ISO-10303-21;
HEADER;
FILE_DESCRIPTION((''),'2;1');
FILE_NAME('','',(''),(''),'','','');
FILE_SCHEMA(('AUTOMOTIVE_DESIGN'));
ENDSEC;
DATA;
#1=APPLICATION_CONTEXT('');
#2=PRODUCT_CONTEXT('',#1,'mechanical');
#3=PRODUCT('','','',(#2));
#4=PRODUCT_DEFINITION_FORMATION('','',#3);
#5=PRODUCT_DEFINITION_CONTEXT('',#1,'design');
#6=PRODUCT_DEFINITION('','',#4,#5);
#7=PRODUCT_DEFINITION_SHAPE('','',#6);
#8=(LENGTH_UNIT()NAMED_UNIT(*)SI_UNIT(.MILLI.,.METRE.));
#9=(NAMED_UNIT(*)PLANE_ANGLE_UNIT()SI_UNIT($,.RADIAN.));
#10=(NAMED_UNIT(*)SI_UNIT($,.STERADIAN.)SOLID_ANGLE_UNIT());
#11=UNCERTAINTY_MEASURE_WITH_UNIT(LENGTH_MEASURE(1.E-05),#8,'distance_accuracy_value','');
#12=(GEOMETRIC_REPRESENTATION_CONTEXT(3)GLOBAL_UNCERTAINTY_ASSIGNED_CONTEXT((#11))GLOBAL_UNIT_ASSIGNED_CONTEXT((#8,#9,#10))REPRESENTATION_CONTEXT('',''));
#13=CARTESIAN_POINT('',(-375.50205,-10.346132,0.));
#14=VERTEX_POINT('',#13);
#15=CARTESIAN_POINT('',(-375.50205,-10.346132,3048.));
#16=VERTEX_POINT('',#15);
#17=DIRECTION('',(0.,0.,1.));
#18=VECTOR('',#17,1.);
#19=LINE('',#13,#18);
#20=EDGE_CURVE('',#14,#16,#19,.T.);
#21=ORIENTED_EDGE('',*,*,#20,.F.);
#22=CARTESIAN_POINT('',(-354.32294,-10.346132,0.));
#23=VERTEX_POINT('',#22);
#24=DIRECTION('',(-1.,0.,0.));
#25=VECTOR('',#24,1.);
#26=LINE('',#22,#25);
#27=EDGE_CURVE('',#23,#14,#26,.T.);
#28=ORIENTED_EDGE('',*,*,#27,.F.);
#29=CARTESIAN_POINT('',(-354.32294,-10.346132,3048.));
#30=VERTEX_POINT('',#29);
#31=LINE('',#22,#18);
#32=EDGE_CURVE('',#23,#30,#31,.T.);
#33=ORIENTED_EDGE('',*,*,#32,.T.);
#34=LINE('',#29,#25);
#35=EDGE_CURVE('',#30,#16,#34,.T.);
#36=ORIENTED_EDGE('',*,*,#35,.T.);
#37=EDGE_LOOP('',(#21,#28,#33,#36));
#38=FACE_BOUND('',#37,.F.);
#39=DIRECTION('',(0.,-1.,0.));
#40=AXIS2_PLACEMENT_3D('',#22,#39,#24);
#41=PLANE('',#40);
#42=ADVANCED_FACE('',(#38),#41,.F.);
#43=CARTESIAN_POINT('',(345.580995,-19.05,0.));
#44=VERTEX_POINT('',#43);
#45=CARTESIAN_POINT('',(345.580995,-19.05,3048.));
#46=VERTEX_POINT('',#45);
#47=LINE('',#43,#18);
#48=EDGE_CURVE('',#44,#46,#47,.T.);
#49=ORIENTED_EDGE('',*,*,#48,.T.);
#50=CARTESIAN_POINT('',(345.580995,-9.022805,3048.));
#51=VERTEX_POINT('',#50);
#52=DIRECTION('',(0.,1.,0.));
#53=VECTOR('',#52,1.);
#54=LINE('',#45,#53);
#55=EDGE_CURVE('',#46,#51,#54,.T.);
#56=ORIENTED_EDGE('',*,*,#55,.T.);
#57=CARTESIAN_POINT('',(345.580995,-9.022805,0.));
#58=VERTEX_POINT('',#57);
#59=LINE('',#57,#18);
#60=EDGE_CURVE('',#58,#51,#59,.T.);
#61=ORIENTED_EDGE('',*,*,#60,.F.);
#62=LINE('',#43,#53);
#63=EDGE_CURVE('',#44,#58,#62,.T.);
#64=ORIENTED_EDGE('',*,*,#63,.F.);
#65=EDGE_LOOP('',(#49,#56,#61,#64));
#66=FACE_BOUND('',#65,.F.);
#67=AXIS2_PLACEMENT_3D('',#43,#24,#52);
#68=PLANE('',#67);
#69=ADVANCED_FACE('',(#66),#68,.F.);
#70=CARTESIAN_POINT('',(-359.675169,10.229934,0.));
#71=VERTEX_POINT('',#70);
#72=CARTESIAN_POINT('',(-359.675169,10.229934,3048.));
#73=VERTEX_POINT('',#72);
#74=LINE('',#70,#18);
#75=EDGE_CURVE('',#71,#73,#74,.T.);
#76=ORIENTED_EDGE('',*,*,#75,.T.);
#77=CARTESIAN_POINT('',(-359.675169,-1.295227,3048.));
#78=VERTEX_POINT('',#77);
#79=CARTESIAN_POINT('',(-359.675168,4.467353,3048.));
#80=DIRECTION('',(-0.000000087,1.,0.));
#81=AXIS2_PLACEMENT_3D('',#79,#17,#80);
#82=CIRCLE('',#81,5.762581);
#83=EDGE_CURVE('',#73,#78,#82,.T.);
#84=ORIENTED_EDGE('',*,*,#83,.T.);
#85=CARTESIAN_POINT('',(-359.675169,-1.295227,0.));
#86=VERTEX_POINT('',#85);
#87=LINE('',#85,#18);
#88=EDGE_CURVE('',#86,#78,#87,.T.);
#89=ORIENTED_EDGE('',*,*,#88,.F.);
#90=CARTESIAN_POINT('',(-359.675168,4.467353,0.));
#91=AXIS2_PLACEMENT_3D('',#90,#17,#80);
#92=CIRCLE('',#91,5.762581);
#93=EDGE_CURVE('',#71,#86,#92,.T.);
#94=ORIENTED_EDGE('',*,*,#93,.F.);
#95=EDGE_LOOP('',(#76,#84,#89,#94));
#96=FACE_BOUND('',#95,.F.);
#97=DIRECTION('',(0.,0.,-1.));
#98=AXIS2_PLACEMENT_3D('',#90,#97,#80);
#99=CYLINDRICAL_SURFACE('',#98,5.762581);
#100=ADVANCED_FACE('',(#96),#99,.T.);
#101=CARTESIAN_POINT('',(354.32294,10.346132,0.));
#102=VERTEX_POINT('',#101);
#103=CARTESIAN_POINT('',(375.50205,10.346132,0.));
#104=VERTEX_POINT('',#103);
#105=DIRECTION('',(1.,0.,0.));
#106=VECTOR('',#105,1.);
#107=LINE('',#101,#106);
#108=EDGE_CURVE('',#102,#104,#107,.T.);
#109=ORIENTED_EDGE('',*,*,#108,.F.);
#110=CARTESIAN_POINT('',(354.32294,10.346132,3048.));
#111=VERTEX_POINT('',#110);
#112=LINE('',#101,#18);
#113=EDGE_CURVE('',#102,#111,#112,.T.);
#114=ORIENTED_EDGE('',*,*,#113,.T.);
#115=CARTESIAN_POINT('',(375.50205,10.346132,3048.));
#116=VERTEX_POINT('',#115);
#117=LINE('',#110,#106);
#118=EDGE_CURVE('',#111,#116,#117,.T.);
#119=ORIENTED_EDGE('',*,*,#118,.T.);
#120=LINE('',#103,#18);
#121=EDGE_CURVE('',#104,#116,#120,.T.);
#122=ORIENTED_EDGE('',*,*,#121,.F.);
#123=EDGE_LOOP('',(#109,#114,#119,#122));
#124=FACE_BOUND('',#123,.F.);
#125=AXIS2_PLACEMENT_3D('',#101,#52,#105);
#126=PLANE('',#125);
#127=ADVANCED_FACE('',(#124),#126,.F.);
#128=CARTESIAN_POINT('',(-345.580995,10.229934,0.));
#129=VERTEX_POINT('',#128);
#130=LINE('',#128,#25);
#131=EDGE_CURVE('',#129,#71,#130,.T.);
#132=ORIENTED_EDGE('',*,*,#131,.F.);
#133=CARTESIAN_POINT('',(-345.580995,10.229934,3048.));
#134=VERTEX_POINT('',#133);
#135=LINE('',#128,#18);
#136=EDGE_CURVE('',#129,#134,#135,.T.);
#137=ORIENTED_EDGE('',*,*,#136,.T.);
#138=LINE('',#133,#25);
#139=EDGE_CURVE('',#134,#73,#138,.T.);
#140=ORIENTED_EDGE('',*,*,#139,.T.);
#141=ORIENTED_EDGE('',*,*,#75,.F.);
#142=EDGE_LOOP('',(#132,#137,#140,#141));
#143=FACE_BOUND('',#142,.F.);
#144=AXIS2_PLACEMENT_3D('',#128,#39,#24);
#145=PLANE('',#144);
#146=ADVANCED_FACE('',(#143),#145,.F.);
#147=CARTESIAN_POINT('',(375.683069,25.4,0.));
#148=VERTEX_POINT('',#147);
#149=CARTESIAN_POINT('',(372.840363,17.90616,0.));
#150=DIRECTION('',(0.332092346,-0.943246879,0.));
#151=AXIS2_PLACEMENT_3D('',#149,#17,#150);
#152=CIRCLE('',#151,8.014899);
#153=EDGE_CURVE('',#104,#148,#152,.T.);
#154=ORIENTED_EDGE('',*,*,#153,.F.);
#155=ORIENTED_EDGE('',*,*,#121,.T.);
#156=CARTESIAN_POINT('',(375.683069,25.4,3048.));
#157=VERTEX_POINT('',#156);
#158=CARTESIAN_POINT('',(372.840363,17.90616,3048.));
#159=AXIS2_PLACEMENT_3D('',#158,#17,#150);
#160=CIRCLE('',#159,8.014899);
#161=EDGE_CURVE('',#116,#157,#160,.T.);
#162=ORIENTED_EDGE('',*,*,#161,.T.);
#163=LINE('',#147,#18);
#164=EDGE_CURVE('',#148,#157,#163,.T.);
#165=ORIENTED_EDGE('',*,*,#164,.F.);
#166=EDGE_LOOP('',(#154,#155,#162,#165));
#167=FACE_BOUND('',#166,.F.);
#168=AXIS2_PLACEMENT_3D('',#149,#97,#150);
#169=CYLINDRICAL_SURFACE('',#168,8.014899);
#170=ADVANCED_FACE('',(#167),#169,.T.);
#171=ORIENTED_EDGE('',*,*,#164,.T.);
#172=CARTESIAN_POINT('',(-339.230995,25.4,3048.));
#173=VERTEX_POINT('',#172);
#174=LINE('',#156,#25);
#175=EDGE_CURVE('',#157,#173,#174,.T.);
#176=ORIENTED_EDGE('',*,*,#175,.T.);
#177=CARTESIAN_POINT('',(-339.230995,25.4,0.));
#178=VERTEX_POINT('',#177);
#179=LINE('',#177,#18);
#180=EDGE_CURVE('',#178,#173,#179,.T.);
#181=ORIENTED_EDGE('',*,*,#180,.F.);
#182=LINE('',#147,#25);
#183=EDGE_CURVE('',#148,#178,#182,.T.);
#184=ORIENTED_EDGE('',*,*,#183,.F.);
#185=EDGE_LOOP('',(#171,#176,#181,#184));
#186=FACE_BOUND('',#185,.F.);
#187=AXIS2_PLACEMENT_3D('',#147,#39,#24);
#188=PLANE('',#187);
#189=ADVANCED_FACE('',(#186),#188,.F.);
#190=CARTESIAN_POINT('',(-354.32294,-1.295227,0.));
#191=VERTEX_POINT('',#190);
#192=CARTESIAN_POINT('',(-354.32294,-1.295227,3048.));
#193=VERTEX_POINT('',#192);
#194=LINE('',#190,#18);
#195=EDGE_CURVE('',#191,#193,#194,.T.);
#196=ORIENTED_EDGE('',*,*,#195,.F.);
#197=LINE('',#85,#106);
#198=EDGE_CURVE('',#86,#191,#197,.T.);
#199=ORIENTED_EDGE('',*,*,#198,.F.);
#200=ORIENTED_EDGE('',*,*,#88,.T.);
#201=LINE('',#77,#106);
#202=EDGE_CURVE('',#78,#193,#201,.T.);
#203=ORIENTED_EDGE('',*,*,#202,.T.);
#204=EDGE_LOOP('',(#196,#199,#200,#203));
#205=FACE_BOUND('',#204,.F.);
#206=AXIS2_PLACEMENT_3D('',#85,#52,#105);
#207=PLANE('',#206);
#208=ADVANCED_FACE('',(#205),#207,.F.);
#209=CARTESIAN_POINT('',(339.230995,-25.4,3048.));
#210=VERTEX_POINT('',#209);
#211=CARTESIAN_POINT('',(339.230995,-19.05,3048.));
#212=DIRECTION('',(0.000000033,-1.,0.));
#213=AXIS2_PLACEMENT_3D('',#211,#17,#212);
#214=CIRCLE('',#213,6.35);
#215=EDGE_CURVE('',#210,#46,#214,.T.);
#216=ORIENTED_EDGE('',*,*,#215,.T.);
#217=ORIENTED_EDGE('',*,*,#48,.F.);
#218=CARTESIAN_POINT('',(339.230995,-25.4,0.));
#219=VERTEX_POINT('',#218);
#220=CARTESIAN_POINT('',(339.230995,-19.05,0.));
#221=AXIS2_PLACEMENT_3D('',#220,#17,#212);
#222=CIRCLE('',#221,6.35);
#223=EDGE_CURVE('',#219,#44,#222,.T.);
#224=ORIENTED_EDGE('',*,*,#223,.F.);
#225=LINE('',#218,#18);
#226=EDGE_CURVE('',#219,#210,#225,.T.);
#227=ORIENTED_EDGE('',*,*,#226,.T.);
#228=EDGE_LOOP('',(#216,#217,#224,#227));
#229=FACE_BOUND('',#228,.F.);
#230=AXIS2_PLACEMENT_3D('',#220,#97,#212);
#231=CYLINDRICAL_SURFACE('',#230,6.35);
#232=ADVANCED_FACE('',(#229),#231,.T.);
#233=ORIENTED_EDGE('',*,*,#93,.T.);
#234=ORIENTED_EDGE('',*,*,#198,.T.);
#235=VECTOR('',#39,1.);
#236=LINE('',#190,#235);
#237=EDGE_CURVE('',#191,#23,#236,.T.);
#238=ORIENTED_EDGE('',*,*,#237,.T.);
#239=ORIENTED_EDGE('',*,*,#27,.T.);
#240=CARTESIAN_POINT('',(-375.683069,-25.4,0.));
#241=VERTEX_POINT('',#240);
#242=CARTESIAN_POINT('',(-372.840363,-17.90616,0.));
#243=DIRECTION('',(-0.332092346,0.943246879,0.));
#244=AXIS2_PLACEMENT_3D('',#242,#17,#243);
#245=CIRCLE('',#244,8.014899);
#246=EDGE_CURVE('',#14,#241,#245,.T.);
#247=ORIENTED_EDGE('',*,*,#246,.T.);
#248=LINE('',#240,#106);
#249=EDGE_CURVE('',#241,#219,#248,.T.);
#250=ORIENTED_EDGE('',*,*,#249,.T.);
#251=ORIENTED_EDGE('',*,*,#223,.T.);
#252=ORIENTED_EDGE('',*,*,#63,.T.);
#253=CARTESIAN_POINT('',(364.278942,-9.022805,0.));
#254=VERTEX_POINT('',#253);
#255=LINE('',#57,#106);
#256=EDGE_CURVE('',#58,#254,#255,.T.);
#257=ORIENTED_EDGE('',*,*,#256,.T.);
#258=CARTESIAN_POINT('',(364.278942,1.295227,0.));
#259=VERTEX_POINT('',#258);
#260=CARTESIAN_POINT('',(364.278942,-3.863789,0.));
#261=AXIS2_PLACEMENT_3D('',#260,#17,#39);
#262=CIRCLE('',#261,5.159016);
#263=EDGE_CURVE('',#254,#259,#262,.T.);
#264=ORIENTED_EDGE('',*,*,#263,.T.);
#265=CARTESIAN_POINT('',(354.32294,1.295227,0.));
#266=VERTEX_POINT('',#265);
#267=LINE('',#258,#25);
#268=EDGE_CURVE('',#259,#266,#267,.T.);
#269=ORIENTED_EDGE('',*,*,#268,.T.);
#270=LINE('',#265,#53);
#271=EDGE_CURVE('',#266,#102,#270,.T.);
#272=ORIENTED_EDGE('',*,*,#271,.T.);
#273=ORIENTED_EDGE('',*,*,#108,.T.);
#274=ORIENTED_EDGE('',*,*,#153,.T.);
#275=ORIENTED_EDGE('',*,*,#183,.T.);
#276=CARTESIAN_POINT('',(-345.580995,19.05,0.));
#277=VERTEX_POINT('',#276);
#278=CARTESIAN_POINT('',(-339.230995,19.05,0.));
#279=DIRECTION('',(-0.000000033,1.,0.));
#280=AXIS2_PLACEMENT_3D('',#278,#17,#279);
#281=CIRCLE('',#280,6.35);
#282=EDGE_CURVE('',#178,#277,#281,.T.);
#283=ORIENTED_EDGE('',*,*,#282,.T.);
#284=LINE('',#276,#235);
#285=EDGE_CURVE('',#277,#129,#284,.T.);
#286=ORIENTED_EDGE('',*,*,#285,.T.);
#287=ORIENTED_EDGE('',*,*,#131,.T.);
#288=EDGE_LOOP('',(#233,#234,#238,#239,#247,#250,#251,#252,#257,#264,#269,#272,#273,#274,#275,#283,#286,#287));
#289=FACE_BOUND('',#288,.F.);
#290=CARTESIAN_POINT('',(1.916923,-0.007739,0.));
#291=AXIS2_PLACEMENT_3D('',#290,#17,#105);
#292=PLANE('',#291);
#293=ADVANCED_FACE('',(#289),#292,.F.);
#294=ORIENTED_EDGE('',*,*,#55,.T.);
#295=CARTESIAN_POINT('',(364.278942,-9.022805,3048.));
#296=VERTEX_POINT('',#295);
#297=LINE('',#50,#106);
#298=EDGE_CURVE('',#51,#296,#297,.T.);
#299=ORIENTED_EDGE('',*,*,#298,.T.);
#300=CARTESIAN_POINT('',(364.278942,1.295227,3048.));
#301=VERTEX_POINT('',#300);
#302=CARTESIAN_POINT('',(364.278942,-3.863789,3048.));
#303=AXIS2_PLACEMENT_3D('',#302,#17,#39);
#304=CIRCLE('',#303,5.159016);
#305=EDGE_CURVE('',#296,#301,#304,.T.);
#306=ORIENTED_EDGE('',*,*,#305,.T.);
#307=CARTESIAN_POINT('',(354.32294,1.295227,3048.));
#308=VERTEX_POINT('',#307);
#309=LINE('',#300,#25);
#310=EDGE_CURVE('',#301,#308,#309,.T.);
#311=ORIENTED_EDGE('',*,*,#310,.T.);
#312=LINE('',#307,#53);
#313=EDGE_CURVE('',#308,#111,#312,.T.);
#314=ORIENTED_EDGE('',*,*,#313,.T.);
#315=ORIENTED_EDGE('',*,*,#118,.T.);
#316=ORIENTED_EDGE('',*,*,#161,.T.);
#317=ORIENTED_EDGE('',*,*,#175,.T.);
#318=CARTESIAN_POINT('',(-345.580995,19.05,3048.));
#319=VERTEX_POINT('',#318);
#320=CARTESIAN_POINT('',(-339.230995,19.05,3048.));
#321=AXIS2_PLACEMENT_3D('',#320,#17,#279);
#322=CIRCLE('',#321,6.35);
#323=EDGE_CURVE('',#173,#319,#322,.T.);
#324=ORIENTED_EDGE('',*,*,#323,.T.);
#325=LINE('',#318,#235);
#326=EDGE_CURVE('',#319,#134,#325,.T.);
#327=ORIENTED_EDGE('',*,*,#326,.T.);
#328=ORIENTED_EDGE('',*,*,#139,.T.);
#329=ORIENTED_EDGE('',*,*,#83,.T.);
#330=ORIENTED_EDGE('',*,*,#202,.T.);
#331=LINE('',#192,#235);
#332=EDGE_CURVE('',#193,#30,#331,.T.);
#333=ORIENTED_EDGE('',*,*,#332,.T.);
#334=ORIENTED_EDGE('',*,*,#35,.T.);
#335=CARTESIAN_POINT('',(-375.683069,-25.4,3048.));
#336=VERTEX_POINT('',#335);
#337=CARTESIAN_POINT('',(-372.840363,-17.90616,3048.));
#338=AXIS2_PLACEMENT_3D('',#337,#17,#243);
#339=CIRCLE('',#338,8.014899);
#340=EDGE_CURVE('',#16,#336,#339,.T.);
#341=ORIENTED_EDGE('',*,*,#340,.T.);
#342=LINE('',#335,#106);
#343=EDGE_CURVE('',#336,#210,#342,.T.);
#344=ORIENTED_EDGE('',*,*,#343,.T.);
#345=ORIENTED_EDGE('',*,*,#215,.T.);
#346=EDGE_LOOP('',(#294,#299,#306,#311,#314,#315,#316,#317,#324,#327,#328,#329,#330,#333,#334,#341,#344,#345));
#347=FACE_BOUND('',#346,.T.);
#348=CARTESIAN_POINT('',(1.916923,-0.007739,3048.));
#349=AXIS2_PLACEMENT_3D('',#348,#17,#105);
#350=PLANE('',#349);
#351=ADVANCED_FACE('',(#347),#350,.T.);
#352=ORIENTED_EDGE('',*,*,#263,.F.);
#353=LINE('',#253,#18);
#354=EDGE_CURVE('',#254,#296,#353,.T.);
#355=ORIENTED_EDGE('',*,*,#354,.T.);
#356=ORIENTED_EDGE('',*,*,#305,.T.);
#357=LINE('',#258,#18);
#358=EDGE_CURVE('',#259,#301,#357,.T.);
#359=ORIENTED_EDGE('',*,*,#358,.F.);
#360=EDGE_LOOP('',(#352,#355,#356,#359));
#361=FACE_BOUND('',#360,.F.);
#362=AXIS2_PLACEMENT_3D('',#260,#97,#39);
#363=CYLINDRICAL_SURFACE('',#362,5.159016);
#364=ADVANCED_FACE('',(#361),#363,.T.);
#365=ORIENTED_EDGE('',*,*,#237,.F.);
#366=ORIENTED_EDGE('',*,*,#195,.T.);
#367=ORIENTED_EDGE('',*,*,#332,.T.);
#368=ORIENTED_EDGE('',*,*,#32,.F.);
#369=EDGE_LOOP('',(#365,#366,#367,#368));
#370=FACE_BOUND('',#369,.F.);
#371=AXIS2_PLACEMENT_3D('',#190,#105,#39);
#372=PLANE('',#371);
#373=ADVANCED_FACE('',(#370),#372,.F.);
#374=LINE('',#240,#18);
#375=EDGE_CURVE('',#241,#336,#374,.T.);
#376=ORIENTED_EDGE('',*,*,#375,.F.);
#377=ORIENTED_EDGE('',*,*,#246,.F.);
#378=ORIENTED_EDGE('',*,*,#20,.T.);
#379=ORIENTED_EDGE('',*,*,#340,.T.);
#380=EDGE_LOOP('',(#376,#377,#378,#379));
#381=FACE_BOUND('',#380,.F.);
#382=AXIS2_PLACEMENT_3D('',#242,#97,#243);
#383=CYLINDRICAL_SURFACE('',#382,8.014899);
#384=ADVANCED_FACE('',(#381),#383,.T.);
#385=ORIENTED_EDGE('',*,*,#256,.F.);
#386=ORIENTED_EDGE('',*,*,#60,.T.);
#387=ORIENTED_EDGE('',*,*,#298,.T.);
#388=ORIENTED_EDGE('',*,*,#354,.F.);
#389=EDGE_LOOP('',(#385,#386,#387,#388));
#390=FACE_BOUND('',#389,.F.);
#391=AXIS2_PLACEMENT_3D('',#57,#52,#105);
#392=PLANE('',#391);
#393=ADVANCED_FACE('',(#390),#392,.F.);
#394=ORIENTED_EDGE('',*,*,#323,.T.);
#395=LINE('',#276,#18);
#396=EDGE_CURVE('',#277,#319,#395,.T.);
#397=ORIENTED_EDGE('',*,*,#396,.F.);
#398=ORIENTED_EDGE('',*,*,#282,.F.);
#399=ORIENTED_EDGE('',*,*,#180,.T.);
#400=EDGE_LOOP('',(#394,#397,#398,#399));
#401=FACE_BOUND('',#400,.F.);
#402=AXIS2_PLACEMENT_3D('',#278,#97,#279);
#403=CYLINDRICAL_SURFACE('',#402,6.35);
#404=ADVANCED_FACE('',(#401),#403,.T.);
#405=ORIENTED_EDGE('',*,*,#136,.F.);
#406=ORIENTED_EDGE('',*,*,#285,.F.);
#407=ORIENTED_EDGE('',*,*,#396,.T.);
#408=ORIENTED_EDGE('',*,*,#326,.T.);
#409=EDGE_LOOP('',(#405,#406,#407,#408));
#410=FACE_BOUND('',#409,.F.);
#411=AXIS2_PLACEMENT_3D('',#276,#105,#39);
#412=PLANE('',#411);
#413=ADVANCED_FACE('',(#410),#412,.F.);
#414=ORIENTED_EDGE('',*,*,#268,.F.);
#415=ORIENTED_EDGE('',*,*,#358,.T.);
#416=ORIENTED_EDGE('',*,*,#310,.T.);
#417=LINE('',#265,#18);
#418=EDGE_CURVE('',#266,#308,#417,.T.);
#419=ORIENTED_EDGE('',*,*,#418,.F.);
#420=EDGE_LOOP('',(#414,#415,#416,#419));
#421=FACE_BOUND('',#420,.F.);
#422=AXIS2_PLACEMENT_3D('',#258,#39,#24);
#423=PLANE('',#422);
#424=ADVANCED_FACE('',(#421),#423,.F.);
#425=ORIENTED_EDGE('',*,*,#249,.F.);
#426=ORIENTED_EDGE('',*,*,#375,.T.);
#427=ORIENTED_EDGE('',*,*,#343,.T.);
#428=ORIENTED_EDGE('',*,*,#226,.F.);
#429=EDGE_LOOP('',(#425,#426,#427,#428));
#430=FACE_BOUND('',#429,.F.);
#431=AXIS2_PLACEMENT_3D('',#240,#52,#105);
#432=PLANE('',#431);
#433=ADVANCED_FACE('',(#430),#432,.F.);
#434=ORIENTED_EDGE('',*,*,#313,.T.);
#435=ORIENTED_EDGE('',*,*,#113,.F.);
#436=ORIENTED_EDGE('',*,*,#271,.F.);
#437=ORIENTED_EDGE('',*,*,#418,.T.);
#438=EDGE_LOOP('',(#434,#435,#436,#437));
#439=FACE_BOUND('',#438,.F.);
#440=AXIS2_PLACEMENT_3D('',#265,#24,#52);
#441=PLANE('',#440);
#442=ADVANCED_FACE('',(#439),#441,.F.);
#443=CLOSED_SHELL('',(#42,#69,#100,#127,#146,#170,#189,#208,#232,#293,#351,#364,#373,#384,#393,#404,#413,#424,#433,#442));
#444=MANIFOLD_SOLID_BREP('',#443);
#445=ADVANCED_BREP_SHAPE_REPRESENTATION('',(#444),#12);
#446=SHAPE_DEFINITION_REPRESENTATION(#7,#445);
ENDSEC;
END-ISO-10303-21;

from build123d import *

# Parameters (mm, degrees)
F1_DEPTH = 3048


with BuildPart() as f1:
    # F0 (on Top) → F1 (new body)
    with BuildSketch(Plane.XY):
        with BuildLine():
            Line((375.683069, 25.4), (-339.230995, 25.4))
            ThreePointArc((-339.230995, 25.4), (-343.721123, 23.540128), (-345.580995, 19.05))
            Line((-345.580995, 19.05), (-345.580995, 10.229934))
            Line((-345.580995, 10.229934), (-359.675169, 10.229934))
            ThreePointArc((-359.675169, 10.229934), (-365.437749, 4.467354), (-359.675169, -1.295227))
            Line((-359.675169, -1.295227), (-354.32294, -1.295227))
            Line((-354.32294, -1.295227), (-354.32294, -10.346132))
            Line((-354.32294, -10.346132), (-375.50205, -10.346132))
            ThreePointArc((-375.50205, -10.346132), (-380.854683, -17.80979), (-375.683069, -25.4))
            Line((-375.683069, -25.4), (339.230995, -25.4))
            ThreePointArc((339.230995, -25.4), (343.721123, -23.540128), (345.580995, -19.05))
            Line((345.580995, -19.05), (345.580995, -9.022805))
            Line((345.580995, -9.022805), (364.278942, -9.022805))
            ThreePointArc((364.278942, -9.022805), (369.437958, -3.863789), (364.278942, 1.295227))
            Line((364.278942, 1.295227), (354.32294, 1.295227))
            Line((354.32294, 1.295227), (354.32294, 10.346132))
            Line((354.32294, 10.346132), (375.50205, 10.346132))
            ThreePointArc((375.50205, 10.346132), (380.854683, 17.80979), (375.683069, 25.4))
        make_face()
    extrude(amount=F1_DEPTH)


solid = f1.part
